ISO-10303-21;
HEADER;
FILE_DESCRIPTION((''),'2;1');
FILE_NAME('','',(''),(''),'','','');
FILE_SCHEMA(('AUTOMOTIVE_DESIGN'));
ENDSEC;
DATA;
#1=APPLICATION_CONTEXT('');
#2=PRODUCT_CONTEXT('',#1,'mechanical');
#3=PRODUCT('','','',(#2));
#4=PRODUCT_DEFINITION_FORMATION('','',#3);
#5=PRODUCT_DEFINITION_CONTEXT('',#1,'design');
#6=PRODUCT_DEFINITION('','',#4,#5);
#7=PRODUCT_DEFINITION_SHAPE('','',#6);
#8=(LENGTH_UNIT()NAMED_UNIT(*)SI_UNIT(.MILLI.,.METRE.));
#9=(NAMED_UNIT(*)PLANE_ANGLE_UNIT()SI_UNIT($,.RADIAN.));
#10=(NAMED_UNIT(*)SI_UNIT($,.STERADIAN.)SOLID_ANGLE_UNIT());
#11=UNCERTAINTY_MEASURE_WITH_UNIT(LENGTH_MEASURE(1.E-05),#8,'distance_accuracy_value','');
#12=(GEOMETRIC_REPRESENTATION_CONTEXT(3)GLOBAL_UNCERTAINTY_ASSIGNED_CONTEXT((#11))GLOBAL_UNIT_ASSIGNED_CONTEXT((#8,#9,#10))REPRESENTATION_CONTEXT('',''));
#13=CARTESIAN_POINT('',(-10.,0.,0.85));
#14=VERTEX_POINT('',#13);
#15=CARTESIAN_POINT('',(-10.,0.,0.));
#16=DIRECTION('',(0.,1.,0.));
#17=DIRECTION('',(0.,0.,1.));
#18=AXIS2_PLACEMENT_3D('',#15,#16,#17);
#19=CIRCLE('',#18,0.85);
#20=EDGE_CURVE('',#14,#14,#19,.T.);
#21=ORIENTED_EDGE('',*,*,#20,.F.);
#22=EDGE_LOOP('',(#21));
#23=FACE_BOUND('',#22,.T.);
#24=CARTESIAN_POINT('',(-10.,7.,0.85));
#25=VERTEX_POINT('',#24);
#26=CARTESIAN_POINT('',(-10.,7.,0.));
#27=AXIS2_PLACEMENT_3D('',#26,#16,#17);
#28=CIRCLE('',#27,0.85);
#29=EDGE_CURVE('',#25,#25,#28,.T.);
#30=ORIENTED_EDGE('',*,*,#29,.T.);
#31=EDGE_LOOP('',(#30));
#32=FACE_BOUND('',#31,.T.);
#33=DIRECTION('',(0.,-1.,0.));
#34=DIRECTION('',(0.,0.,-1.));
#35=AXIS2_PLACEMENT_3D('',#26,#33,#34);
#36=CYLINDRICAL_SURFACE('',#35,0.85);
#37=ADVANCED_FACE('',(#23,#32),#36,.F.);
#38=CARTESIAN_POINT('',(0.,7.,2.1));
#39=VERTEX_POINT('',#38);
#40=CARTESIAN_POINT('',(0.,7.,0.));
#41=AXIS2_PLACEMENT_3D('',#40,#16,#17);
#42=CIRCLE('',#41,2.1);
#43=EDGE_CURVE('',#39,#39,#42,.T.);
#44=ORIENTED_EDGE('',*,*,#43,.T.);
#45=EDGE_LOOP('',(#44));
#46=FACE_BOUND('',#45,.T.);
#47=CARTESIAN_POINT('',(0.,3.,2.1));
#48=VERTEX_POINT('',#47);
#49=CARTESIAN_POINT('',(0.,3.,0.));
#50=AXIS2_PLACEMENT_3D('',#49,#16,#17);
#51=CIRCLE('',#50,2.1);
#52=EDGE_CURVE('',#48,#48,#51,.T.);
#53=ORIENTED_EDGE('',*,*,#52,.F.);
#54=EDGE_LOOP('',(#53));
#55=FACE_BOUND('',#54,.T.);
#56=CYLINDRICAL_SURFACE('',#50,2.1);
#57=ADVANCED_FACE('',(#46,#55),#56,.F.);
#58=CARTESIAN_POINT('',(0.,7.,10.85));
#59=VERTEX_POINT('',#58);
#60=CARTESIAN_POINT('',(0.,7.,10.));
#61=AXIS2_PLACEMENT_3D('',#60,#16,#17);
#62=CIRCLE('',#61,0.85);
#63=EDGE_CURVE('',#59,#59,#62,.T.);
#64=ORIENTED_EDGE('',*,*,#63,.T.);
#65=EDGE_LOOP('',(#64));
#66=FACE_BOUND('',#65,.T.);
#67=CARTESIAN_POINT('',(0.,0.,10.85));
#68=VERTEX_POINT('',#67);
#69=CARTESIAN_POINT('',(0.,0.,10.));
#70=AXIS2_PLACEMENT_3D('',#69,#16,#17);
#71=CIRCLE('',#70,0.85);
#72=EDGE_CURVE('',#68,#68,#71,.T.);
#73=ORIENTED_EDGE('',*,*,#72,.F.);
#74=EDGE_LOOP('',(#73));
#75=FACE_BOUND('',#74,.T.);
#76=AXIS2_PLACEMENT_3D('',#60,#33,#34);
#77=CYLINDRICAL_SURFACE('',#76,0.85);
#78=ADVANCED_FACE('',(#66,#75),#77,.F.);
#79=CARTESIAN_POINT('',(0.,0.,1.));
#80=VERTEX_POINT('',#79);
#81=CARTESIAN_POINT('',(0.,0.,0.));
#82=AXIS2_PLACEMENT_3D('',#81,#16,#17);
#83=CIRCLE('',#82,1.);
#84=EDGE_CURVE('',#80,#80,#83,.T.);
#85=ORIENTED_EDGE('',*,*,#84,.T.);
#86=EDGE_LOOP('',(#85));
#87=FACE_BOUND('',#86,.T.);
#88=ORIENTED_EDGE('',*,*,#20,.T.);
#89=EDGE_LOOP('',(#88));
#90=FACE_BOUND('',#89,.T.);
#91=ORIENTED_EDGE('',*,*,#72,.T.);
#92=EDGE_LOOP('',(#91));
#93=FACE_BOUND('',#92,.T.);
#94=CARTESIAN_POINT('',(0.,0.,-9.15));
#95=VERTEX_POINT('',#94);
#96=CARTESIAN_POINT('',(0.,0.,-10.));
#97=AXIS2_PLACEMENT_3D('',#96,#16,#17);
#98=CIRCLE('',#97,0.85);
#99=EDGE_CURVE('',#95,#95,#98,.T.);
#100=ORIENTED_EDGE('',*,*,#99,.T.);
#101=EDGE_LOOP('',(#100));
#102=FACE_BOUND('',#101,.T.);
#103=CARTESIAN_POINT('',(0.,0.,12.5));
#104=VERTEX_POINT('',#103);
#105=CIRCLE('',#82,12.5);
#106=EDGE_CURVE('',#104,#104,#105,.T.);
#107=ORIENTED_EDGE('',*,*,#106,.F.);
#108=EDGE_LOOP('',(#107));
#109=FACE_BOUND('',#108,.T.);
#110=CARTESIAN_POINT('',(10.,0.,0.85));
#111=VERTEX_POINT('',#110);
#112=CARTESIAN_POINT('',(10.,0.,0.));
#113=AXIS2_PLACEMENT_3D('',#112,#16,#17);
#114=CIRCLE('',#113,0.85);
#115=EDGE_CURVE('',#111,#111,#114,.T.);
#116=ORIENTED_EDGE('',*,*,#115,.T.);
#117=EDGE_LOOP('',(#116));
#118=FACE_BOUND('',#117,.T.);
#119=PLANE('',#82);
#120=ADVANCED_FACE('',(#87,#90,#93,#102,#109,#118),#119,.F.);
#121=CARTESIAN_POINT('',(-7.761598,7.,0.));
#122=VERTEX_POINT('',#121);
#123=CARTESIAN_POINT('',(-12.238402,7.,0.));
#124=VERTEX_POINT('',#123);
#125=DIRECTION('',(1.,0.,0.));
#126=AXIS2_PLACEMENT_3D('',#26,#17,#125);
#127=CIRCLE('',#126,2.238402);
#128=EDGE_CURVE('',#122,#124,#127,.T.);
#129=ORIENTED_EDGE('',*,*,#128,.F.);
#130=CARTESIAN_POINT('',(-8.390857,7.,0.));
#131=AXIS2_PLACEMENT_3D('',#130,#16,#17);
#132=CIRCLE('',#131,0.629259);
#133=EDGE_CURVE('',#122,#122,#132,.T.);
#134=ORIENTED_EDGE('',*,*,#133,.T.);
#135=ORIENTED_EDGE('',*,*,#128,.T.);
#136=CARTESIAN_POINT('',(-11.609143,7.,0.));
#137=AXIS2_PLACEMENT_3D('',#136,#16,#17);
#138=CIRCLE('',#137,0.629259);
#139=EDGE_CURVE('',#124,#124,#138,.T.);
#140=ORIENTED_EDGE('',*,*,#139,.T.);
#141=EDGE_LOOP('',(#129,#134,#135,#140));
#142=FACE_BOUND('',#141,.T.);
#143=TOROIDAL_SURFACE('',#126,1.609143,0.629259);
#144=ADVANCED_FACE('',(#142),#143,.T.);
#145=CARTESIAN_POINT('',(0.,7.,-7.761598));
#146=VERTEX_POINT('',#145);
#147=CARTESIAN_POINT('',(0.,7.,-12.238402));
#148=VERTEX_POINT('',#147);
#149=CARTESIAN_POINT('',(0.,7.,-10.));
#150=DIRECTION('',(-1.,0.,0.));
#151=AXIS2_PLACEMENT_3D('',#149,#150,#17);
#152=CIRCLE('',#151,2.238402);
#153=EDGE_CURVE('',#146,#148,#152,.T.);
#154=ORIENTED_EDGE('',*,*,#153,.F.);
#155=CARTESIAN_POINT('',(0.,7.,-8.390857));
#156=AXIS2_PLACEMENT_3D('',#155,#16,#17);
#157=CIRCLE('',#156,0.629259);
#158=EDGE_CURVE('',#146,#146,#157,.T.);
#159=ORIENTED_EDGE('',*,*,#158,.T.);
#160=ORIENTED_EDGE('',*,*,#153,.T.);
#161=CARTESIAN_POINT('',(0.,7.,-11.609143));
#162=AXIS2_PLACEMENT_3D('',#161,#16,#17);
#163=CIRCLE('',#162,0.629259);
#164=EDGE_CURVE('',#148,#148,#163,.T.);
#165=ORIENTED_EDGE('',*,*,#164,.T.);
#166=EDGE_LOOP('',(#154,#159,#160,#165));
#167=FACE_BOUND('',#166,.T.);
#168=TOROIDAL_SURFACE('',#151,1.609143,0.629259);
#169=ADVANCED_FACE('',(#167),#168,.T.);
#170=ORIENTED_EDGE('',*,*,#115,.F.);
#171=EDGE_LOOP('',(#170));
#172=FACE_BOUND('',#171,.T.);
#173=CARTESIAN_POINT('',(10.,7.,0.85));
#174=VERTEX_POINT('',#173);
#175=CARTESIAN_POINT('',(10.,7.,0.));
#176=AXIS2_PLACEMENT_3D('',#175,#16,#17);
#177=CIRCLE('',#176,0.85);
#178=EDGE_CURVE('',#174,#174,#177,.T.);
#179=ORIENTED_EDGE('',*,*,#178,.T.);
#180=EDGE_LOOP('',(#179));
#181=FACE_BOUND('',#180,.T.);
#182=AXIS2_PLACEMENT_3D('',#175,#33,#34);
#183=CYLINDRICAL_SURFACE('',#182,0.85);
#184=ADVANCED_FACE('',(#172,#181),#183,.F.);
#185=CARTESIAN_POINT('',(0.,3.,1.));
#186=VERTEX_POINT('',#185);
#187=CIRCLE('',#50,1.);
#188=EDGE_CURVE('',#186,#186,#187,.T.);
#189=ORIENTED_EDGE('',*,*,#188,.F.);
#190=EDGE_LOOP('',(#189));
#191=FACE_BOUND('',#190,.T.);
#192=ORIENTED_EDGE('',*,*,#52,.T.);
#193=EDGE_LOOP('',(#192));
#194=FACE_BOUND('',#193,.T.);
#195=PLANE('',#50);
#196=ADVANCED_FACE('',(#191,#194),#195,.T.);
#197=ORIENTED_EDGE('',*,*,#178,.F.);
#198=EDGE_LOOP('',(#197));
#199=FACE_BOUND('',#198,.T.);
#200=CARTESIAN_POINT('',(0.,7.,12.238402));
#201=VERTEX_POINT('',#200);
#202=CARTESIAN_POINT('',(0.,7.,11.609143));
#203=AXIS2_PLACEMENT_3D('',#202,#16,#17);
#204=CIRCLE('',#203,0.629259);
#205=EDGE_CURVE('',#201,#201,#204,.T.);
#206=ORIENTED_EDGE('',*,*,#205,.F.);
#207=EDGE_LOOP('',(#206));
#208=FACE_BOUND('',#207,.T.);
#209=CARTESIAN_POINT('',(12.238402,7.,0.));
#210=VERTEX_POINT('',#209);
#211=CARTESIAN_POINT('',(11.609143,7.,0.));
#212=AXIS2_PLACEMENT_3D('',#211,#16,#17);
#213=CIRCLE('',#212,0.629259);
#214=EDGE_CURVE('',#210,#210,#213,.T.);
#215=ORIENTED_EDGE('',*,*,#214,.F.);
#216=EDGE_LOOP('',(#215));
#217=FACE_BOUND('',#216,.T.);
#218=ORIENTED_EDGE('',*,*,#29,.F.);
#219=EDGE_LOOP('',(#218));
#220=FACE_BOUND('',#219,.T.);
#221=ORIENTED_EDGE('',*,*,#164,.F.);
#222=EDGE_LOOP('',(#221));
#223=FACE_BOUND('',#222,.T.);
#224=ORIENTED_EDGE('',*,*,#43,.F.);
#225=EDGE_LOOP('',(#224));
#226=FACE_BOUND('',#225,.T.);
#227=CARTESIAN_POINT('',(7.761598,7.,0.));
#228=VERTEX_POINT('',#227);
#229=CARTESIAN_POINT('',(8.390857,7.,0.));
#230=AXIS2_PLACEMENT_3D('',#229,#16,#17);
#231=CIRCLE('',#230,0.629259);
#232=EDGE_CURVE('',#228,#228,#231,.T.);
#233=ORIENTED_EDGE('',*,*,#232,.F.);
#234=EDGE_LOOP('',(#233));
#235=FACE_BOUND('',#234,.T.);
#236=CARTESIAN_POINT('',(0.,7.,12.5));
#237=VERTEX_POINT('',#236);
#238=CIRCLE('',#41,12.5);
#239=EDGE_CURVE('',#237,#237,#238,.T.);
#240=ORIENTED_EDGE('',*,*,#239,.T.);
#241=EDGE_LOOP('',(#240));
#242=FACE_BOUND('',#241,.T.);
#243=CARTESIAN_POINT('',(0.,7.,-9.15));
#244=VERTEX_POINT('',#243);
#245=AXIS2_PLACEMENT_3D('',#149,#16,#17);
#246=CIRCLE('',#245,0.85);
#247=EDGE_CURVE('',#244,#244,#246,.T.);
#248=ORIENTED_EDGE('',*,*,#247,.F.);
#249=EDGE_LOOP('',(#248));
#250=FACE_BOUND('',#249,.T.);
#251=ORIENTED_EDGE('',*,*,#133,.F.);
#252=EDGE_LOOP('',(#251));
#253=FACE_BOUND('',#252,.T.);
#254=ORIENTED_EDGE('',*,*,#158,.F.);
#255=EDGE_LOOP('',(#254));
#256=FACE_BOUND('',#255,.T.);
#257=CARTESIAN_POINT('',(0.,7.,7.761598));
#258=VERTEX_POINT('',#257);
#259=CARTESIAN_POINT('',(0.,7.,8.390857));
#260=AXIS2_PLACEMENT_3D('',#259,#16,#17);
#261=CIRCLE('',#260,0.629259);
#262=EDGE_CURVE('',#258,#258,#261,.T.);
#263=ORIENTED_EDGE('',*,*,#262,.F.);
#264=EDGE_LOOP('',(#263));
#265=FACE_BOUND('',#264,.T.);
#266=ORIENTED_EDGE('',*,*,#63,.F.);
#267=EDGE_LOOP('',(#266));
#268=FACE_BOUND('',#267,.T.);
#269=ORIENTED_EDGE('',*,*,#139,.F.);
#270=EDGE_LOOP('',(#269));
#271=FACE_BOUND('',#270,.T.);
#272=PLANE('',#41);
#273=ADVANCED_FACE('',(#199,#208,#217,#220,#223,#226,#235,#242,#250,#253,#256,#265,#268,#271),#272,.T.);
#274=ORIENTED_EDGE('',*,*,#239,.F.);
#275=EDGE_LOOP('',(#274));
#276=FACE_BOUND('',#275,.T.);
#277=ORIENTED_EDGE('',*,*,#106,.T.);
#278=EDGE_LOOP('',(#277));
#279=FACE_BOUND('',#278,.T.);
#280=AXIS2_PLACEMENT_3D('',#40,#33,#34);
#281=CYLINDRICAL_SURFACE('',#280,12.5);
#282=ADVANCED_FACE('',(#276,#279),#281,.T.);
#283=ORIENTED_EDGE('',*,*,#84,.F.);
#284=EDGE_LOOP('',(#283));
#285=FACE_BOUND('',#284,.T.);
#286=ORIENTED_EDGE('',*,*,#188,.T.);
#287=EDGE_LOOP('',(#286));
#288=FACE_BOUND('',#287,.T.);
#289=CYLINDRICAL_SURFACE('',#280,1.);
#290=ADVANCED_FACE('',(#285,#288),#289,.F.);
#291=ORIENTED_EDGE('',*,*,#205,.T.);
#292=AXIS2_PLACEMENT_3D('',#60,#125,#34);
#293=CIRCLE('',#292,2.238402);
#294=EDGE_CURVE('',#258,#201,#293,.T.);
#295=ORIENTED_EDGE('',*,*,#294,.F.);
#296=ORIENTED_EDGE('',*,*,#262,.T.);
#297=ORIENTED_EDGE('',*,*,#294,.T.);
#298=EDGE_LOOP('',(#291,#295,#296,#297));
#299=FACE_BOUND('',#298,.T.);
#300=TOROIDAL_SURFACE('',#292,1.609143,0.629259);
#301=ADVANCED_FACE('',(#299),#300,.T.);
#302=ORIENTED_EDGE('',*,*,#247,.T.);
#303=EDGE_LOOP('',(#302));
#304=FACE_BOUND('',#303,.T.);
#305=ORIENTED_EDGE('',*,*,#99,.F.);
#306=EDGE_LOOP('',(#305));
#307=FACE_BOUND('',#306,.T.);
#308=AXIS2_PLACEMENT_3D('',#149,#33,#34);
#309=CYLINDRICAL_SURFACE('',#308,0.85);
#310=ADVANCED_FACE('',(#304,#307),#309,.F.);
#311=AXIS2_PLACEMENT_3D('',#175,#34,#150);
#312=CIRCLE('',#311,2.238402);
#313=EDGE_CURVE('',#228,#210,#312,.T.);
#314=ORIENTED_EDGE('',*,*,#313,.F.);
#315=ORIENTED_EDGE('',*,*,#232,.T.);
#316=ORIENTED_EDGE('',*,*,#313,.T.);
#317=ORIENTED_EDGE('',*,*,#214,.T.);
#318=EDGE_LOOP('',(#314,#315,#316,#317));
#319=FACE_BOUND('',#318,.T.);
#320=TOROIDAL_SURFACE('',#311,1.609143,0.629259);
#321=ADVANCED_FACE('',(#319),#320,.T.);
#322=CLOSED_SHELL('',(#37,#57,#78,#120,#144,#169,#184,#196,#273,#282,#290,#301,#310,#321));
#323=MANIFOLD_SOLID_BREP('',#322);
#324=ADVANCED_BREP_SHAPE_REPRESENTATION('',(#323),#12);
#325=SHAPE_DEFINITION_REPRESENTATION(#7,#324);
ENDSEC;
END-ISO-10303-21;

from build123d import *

# Parameters (mm, degrees)
SKETCH_1_R               = 12.5
SKETCH_1_R_2             = 1
SKETCH_1_R_3             = 0.85
EXTRUDE_1_DEPTH          = 7
SKETCH_8_R               = 0.629258673
PATTERN_CIRCULAR_1_COUNT = 4
SKETCH_9_R               = 2.1
CUT_EXTRUDE_3_DEPTH      = 4


with BuildPart() as part:
    # 草图1 → 凸台-拉伸1 (new body)
    with BuildSketch(Plane(origin=(0, 0, 0), x_dir=(1, 0, 0), z_dir=(0, 1, 0))):
        Circle(SKETCH_1_R)
        Circle(SKETCH_1_R_2, mode=Mode.SUBTRACT)
        with Locations((0, 10)):
            Circle(SKETCH_1_R_3, mode=Mode.SUBTRACT)
        with Locations((10, 0)):
            Circle(SKETCH_1_R_3, mode=Mode.SUBTRACT)
        with Locations((0, -10)):
            Circle(SKETCH_1_R_3, mode=Mode.SUBTRACT)
        with Locations((-10, 0)):
            Circle(SKETCH_1_R_3, mode=Mode.SUBTRACT)
    extrude(amount=EXTRUDE_1_DEPTH)

    # 扫描2: sweep along a path in 草图7
    with BuildLine(Plane.XY) as sweep_2_path:
        ThreePointArc((-8.390857018, 7), (-10, 8.609142982), (-11.609142982, 7))
    # 草图8 → 扫描2 (sweep)
    with BuildSketch(Plane(origin=(0, 7, 0), x_dir=(1, 0, 0), z_dir=(0, 1, 0))):
        with Locations((-8.390857018, 0)):
            Circle(SKETCH_8_R)
    sweep_2 = sweep(path=sweep_2_path.line)

    # 阵列(圆周)1: 扫描2 ×4 about axis
    pattern_circular_1_axis = Axis((0, 9.700321738, 0), (0, -1, 0))
    for i in range(1, PATTERN_CIRCULAR_1_COUNT):
        add(sweep_2.rotate(pattern_circular_1_axis, i * 360 / PATTERN_CIRCULAR_1_COUNT))

    # 草图9 → 切除-拉伸3 (cut)
    with BuildSketch(Plane(origin=(0, 7, 0), x_dir=(1, 0, 0), z_dir=(0, 1, 0))):
        Circle(SKETCH_9_R)
    extrude(amount=-CUT_EXTRUDE_3_DEPTH, mode=Mode.SUBTRACT)


solid = part.part
